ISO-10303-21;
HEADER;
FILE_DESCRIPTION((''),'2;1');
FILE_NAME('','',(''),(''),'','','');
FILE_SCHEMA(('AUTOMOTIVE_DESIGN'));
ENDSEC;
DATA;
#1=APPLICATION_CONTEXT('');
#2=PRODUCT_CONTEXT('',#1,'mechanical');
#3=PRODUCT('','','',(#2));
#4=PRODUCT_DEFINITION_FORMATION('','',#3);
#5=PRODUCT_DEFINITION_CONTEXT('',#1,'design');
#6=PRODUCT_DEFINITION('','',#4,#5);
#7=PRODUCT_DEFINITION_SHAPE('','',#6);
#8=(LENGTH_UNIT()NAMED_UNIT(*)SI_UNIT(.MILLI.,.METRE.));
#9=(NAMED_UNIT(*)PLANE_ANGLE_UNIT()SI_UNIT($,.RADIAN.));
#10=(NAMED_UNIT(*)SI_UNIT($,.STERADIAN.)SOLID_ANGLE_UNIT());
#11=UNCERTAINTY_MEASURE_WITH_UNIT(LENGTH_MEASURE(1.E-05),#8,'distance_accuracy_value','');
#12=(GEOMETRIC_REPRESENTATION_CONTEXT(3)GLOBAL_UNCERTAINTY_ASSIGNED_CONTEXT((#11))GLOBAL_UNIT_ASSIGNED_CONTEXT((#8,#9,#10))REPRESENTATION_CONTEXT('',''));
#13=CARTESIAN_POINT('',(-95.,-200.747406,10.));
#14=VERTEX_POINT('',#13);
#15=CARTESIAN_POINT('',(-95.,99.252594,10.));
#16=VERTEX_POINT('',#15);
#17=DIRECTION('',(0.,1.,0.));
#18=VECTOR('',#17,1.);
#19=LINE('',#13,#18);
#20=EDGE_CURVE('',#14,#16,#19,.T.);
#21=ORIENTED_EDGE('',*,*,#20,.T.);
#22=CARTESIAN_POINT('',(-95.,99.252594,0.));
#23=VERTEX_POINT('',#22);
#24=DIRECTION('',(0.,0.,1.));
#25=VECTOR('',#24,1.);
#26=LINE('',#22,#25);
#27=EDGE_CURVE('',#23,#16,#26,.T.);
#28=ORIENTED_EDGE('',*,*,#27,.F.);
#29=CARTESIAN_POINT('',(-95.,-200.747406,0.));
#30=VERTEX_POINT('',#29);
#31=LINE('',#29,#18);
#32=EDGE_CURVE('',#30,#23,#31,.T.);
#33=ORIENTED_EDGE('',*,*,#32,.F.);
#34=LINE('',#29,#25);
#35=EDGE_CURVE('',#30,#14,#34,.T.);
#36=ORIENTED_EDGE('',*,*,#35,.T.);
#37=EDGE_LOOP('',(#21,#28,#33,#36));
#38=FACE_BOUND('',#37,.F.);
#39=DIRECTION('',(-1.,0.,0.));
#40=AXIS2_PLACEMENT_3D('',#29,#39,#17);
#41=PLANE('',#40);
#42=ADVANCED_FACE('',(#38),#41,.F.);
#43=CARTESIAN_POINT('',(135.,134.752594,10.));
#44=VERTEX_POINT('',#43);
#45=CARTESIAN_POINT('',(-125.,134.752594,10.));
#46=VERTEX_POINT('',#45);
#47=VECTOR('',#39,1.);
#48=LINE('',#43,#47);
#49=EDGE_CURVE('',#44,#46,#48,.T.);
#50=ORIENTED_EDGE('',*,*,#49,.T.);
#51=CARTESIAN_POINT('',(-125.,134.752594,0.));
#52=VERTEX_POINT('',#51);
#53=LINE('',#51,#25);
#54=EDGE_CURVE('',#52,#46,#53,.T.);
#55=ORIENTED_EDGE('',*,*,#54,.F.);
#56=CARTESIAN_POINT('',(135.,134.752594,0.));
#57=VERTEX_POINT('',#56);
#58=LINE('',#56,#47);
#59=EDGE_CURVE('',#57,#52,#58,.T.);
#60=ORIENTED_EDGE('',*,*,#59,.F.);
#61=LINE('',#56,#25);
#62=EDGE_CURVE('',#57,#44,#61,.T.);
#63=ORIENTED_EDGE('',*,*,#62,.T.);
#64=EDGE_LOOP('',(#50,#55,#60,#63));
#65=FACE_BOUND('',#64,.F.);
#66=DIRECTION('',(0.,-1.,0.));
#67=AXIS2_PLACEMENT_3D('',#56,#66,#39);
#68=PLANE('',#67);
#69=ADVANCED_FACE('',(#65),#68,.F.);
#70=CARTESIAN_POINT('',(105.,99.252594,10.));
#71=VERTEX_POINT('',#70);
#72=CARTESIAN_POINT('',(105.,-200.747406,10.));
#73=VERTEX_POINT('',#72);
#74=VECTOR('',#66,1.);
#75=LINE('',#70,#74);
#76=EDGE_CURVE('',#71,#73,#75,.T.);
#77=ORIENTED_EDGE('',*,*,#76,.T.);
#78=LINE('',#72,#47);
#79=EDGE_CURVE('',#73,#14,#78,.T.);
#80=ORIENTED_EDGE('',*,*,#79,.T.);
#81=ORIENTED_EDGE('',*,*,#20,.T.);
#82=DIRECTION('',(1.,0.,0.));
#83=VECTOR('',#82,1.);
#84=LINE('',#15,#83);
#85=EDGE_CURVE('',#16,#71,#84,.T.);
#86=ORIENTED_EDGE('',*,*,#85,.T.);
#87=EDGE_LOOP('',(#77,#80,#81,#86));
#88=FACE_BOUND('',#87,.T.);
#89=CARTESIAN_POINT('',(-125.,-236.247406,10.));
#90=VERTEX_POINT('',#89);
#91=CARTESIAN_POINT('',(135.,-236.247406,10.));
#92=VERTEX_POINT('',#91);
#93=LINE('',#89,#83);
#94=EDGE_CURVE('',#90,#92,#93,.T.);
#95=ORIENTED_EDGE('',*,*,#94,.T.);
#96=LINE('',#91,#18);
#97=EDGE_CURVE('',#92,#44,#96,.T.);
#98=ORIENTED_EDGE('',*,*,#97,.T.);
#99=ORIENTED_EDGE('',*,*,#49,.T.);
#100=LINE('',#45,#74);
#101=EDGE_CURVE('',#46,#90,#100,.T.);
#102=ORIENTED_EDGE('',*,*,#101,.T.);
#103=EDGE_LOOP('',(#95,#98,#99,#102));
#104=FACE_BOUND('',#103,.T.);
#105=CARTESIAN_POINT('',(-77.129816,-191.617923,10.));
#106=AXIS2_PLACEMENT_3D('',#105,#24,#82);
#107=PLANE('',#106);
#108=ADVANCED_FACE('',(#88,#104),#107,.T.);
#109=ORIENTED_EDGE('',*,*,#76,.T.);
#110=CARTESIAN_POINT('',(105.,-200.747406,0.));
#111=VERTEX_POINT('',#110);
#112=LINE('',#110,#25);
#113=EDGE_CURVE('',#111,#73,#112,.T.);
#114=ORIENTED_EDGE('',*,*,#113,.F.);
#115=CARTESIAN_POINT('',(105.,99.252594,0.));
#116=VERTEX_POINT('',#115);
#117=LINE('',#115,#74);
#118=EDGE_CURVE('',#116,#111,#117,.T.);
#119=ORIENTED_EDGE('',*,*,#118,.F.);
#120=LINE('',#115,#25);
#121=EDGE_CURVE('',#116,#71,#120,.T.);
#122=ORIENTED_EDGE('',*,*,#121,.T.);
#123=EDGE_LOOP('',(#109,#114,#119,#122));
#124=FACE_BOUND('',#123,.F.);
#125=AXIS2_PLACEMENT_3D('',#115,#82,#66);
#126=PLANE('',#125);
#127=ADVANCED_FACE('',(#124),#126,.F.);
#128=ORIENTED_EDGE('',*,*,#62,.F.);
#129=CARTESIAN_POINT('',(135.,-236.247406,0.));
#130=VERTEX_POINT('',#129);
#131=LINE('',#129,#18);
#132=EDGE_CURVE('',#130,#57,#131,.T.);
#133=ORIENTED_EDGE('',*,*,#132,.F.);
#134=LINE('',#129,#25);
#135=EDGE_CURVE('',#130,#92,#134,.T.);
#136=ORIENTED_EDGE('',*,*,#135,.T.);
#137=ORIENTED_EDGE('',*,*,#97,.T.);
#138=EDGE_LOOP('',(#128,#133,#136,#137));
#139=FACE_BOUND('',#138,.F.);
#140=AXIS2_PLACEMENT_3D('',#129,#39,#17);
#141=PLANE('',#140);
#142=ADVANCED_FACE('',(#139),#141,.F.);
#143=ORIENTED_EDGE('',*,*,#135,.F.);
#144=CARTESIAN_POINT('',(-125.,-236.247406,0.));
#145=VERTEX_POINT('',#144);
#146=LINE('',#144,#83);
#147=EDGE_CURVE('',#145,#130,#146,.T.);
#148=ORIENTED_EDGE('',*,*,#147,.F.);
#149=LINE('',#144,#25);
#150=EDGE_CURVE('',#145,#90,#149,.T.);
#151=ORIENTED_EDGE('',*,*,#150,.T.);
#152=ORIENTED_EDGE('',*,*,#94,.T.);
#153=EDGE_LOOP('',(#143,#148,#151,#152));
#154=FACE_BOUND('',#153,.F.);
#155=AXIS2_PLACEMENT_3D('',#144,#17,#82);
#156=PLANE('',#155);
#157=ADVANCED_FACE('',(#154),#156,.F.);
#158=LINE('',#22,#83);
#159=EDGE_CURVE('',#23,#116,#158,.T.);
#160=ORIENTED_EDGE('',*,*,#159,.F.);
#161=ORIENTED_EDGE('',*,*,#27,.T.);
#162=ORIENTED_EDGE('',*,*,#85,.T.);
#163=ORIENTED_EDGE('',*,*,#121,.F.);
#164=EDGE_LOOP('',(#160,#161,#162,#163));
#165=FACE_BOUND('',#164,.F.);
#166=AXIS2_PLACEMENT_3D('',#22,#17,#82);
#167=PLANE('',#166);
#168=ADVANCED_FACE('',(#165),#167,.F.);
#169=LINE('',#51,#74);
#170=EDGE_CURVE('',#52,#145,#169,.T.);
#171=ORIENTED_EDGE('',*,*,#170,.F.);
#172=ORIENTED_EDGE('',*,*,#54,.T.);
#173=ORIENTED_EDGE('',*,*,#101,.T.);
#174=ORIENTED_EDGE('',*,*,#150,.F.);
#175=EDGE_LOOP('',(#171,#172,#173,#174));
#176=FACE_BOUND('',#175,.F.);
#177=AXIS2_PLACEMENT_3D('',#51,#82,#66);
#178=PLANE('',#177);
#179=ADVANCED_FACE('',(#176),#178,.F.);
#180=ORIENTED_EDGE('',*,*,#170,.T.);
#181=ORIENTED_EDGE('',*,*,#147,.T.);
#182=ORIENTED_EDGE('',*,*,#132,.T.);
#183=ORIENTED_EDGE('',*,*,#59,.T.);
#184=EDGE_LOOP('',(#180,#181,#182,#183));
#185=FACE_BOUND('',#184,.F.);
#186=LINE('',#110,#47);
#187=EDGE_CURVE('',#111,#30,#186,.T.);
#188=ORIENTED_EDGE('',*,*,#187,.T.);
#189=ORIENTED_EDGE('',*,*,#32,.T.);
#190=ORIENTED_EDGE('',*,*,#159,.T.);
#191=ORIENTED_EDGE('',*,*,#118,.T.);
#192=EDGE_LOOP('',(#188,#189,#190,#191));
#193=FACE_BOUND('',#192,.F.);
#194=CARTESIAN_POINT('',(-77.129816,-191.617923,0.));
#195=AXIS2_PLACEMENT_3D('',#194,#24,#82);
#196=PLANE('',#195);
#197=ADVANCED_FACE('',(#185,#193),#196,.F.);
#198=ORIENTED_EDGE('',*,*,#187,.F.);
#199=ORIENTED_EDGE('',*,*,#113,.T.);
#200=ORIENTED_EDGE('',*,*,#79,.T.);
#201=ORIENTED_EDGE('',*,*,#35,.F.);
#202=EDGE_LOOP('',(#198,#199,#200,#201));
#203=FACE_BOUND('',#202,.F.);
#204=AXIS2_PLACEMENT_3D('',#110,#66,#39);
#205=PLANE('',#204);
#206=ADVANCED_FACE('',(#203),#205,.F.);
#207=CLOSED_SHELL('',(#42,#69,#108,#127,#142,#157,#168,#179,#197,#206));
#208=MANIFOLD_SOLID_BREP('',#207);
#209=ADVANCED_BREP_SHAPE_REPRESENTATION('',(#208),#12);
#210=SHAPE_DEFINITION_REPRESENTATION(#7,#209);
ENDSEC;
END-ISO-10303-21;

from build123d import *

# Parameters (mm, degrees)
F1_DEPTH = 10


with BuildPart() as f1:
    # F0 (on Top) → F1 (new body)
    with BuildSketch(Plane.XY):
        Polygon((-125, -111.86579), (-125, -236.247406), (5.863019, -236.247406), (5.863019, -200.747406), (-95, -200.747406), (-95, -111.86579), align=None)
        Polygon((5.863019, -200.747406), (5.863019, -236.247406), (135, -236.247406), (135, -50.747406), (105, -50.747406), (105, -200.747406), align=None)
        Polygon((-125, 134.752594), (-125, -111.86579), (-95, -111.86579), (-95, 99.252594), (15.707426, 99.252594), (15.707426, 134.752594), align=None)
        Polygon((105, -50.747406), (135, -50.747406), (135, 134.752594), (15.707426, 134.752594), (15.707426, 99.252594), (105, 99.252594), align=None)
    extrude(amount=F1_DEPTH)


solid = f1.part
